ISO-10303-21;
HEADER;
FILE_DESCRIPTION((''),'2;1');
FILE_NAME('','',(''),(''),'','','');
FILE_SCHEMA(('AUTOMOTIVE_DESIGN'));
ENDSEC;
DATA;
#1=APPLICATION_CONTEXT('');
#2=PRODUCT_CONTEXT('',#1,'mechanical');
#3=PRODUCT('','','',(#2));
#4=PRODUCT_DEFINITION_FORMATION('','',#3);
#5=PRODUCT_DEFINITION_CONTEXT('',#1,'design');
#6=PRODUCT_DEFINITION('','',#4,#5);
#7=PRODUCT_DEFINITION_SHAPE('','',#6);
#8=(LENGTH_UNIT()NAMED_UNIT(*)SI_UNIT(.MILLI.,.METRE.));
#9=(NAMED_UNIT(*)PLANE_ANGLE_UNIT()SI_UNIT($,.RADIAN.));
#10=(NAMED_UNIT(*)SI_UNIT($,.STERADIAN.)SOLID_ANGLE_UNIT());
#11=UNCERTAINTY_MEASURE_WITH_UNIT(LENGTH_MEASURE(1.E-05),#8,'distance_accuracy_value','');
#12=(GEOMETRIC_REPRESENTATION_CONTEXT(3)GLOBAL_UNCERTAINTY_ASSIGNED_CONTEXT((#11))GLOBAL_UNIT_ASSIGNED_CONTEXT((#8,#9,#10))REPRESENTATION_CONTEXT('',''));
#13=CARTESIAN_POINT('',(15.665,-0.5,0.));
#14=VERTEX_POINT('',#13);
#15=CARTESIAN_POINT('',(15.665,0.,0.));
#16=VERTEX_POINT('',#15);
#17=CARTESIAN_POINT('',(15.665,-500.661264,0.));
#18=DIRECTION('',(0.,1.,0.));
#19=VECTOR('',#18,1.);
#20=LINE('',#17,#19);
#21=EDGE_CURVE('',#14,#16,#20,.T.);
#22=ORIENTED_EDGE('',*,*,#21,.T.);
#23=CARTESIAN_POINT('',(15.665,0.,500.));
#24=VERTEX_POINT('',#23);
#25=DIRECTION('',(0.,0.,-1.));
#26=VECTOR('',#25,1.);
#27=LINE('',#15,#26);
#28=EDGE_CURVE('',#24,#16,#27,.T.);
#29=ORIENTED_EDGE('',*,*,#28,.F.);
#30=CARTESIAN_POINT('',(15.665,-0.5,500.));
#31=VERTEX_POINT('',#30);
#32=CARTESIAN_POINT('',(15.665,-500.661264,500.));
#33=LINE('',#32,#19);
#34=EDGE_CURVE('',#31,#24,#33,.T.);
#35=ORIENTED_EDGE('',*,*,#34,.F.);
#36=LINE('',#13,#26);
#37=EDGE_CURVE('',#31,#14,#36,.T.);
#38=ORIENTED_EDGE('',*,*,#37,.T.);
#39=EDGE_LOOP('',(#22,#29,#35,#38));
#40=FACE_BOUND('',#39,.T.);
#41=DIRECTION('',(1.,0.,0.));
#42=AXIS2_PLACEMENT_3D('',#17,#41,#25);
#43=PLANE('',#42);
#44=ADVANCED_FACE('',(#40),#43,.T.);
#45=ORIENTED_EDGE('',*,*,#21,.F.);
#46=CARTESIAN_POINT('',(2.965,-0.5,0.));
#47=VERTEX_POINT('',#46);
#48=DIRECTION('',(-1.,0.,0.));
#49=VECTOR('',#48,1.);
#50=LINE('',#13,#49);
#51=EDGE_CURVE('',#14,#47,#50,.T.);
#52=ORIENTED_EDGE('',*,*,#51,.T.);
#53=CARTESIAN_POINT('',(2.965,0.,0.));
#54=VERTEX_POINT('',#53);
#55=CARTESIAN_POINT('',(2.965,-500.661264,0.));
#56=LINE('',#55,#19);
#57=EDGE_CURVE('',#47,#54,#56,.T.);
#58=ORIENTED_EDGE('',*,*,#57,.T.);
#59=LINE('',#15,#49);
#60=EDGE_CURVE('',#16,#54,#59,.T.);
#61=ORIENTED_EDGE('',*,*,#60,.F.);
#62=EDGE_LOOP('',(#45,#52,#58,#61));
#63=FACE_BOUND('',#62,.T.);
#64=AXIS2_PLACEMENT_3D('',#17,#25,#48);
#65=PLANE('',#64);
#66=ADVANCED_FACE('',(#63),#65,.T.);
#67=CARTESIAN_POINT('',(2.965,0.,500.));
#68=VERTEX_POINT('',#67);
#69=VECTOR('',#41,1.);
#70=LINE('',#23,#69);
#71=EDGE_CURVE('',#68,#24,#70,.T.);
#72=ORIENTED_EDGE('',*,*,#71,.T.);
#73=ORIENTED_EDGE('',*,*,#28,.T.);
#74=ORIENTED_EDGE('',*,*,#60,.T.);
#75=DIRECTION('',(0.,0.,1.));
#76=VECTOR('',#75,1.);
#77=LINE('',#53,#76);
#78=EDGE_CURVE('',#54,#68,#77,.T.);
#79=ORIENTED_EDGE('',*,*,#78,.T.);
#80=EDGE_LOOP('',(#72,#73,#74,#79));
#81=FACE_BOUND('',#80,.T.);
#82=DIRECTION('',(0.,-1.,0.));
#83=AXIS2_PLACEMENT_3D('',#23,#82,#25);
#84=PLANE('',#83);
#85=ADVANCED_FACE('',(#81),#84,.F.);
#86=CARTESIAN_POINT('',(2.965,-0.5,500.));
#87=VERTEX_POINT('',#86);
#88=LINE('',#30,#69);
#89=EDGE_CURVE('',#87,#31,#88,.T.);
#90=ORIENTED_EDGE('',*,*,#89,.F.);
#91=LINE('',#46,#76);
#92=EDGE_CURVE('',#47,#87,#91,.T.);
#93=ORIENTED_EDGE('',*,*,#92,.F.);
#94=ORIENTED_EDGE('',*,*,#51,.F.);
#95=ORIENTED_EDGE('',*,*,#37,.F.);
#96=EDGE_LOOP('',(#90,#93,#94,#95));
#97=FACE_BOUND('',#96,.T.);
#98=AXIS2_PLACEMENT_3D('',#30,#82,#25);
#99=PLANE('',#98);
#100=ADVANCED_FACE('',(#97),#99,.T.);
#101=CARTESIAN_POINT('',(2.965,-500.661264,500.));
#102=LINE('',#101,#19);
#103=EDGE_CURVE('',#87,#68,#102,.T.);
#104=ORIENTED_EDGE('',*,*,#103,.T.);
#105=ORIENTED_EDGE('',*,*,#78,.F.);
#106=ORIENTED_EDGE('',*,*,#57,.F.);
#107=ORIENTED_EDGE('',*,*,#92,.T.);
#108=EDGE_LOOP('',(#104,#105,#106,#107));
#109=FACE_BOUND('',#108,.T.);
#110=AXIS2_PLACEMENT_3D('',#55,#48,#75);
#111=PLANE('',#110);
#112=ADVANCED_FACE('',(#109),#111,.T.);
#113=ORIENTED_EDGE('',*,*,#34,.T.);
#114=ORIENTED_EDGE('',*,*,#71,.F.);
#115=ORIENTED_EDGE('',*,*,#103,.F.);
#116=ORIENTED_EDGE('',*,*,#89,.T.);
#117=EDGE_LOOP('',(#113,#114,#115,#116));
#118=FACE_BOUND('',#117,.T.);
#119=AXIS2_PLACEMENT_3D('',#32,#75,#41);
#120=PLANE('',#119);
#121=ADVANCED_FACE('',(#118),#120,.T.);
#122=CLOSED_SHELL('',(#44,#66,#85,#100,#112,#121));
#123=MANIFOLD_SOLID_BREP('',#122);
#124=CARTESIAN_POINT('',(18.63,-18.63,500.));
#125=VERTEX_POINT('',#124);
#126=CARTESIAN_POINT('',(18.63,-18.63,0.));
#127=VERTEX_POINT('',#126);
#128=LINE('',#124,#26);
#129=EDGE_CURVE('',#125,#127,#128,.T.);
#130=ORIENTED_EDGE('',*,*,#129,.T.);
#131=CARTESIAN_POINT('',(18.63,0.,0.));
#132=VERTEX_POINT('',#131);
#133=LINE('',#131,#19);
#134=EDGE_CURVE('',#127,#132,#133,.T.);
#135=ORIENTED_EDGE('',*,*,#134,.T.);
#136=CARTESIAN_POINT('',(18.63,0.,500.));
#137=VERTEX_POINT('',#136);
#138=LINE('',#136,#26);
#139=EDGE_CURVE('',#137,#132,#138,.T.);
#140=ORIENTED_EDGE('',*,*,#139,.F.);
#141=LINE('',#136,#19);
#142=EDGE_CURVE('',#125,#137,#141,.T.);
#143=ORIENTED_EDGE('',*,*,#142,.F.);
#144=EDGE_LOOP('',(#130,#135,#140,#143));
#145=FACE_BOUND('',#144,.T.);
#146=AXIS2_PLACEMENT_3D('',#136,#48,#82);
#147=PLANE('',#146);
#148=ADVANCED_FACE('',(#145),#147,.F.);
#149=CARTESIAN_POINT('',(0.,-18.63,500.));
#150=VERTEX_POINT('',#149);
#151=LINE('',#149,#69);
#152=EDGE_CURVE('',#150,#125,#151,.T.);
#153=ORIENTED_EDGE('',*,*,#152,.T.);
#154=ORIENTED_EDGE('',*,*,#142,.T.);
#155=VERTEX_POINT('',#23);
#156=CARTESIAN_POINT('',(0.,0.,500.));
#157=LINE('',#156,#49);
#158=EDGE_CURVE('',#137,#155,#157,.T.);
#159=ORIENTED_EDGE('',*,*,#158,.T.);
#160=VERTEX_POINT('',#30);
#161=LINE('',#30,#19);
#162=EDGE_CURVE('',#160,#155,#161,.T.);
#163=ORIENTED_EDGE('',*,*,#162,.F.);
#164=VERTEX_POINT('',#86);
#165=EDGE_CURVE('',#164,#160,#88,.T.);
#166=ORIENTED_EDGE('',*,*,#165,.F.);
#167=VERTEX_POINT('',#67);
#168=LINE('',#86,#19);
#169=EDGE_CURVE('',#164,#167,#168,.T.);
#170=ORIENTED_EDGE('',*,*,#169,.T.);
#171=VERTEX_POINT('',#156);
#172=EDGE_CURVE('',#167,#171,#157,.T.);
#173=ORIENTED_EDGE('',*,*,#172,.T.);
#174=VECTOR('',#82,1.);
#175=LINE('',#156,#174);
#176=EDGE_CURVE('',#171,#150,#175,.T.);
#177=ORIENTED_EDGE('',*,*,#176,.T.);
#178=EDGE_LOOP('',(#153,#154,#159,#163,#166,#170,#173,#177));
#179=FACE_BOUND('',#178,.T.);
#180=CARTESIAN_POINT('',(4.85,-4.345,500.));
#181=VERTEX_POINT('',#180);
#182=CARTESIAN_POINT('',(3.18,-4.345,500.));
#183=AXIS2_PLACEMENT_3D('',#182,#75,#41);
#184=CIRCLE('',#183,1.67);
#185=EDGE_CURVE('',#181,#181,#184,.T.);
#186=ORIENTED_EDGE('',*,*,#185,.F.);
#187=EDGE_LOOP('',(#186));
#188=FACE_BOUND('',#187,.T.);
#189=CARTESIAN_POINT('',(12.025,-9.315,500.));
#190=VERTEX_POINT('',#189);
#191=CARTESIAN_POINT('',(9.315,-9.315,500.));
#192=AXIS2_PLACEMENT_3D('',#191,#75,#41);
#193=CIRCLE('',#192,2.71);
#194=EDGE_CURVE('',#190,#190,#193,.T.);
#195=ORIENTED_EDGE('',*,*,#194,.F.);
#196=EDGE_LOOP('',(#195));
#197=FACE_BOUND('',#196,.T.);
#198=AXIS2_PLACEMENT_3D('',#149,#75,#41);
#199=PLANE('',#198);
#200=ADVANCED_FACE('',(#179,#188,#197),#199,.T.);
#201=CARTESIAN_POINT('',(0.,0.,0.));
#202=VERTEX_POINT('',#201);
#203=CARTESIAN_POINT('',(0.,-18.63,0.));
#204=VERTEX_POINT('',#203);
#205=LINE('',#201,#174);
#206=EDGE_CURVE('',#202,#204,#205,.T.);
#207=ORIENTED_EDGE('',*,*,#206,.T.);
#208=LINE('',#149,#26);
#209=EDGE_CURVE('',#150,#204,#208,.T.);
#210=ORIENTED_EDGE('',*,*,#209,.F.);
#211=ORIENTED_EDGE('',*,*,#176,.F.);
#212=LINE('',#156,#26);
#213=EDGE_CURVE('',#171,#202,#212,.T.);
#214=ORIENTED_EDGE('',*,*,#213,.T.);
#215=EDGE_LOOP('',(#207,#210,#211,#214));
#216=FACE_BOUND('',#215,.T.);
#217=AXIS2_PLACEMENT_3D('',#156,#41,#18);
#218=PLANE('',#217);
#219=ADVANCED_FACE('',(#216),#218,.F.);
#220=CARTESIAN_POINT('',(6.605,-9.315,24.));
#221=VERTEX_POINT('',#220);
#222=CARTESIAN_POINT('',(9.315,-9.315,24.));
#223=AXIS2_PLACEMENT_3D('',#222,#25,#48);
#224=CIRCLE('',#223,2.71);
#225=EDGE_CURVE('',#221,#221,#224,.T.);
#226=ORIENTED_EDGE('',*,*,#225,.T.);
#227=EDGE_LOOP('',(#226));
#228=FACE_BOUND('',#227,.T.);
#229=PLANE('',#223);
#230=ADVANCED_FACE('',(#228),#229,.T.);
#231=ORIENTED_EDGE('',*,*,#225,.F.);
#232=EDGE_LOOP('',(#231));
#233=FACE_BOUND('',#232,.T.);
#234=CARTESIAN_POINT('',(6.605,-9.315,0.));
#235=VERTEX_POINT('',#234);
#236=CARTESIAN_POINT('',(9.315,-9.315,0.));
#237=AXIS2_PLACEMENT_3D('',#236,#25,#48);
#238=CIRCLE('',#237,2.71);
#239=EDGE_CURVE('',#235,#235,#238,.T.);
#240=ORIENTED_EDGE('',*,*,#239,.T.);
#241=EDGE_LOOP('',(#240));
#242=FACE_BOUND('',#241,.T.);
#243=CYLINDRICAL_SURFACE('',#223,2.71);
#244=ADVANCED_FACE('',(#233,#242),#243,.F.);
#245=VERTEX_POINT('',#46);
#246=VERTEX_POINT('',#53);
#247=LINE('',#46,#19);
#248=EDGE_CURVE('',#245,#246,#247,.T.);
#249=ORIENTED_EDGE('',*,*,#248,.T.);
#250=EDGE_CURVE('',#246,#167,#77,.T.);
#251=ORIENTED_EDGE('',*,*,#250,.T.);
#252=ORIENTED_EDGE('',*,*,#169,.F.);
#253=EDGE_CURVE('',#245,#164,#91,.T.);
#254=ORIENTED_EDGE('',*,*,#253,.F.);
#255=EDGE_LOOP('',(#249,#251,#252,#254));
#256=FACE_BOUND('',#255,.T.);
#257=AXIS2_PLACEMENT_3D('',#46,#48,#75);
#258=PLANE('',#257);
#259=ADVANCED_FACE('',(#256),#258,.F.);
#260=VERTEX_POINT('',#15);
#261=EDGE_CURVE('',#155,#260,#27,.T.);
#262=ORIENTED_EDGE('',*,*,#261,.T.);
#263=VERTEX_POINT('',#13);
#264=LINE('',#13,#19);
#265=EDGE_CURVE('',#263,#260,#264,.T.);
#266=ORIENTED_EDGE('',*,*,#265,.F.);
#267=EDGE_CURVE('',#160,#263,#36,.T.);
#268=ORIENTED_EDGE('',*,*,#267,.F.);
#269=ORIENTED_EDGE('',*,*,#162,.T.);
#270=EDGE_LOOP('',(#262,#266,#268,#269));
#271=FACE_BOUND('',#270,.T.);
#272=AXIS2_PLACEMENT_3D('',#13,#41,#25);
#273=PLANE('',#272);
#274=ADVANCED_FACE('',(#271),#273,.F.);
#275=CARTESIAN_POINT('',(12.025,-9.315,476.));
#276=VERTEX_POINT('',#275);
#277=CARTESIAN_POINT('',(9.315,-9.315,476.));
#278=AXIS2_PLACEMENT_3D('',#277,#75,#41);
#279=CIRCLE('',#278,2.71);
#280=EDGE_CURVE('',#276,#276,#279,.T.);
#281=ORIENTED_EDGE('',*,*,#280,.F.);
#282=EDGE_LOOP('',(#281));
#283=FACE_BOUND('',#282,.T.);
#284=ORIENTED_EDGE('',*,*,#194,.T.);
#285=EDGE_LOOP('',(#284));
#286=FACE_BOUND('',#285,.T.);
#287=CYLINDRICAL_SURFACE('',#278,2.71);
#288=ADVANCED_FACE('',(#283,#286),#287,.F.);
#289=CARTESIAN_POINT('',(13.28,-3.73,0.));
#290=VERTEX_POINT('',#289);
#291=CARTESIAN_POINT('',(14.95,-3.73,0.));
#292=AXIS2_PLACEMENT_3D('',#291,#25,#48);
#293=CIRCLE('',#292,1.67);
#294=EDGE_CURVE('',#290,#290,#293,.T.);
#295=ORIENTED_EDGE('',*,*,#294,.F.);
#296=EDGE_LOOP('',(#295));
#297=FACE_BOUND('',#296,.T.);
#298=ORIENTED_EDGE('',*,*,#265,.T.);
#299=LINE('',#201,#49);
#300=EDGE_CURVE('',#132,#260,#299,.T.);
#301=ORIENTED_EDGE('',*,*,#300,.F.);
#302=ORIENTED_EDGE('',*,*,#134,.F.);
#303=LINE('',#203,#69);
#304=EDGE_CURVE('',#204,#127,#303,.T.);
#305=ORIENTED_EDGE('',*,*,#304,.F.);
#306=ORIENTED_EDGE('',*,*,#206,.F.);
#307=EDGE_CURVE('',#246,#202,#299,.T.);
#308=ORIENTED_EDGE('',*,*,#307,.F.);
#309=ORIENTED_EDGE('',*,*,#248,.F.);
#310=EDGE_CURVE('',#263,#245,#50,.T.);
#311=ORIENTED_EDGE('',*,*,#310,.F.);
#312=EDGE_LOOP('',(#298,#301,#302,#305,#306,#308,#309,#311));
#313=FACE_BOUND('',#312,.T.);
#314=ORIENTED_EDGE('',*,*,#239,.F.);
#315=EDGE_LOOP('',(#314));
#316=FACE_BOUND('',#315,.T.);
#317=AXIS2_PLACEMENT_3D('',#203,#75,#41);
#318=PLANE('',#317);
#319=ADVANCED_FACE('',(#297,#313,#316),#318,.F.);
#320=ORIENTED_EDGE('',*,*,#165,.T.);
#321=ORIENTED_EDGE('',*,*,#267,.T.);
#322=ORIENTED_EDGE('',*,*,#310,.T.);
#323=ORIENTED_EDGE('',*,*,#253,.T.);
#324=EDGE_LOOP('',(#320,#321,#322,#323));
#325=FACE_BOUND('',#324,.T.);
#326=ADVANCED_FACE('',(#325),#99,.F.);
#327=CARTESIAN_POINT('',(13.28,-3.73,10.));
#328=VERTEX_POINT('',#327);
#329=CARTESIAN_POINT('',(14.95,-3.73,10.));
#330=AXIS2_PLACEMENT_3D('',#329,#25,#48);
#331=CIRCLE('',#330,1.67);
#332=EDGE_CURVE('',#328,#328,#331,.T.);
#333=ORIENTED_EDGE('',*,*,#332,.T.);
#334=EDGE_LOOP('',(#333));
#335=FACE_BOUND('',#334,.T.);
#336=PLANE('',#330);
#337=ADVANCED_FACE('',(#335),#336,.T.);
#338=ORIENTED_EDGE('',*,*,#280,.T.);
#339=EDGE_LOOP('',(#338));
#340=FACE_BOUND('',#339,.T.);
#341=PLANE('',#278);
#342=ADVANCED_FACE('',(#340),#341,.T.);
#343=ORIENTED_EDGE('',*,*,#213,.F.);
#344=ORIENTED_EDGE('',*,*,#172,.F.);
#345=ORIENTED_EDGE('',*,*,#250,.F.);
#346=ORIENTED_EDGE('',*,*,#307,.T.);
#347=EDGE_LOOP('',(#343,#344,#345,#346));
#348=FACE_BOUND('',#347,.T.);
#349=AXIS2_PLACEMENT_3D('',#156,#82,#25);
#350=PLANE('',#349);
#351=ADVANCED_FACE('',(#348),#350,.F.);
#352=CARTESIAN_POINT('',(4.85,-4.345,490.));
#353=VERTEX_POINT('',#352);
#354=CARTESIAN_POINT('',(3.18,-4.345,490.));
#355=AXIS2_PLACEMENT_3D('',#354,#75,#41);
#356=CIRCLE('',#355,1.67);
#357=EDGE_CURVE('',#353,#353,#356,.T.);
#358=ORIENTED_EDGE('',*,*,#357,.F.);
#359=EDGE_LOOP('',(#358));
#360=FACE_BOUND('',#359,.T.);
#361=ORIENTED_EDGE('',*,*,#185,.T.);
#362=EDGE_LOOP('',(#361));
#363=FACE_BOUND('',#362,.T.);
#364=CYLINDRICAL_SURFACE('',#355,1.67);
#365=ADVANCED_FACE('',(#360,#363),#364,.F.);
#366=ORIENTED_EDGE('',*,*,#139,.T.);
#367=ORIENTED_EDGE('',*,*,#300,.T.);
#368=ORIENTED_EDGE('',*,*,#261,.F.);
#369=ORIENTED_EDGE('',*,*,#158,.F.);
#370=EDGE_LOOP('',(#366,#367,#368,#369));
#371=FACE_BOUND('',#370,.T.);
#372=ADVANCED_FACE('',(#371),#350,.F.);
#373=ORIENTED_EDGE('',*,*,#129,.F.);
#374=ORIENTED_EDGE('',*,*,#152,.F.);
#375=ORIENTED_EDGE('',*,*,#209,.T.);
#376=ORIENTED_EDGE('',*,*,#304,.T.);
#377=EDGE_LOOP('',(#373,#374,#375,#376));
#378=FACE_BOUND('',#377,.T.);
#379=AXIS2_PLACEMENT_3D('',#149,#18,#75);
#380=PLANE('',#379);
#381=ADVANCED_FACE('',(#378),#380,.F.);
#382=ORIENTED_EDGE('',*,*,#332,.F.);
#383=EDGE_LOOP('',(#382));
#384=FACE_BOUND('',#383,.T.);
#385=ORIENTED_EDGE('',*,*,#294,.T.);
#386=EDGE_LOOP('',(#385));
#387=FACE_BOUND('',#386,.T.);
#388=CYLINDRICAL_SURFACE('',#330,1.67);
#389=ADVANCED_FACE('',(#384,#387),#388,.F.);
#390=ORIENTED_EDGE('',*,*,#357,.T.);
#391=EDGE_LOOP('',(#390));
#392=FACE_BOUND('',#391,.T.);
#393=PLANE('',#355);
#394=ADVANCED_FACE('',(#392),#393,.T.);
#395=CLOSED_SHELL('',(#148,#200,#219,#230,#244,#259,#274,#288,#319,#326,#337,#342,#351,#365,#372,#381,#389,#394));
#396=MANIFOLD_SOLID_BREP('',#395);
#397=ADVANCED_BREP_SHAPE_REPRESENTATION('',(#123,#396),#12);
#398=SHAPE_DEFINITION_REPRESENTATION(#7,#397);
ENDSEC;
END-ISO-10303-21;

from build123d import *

# Parameters (mm, degrees)
SKETCH1_W           = 18.63
SKETCH1_H           = 18.63
BOSS_EXTRUDE1_DEPTH = 500
SKETCH2_R           = 2.71
CUT_EXTRUDE1_DEPTH  = 24
SKETCH3_R           = 2.71
CUT_EXTRUDE2_DEPTH  = 24
SKETCH4_R           = 1.67
CUT_EXTRUDE3_DEPTH  = 10
SKETCH5_R           = 1.67
CUT_EXTRUDE4_DEPTH  = 10
SKETCH6_W           = 12.7
SKETCH6_H           = 500
CUT_EXTRUDE5_DEPTH  = 0.5
SKETCH7_W           = 12.7
SKETCH7_H           = 500
BOSS_EXTRUDE2_DEPTH = 0.5


with BuildPart() as part:
    # Sketch1 → Boss-Extrude1 (new body)
    with BuildSketch(Plane.XY):
        with Locations((9.315, -9.315)):
            Rectangle(SKETCH1_W, SKETCH1_H)
    extrude(amount=BOSS_EXTRUDE1_DEPTH)

    # Sketch2 → Cut-Extrude1 (cut)
    with BuildSketch(Plane(origin=(0, 0, 0), x_dir=(-1, 0, 0), z_dir=(0, 0, -1))):
        with Locations((-9.315, -9.315)):
            Circle(SKETCH2_R)
    extrude(amount=-CUT_EXTRUDE1_DEPTH, mode=Mode.SUBTRACT)

    # Sketch3 → Cut-Extrude2 (cut)
    with BuildSketch(Plane.XY.offset(500)):
        with Locations((9.315, -9.315)):
            Circle(SKETCH3_R)
    extrude(amount=-CUT_EXTRUDE2_DEPTH, mode=Mode.SUBTRACT)

    # Sketch4 → Cut-Extrude3 (cut)
    with BuildSketch(Plane(origin=(0, 0, 0), x_dir=(-1, 0, 0), z_dir=(0, 0, -1))):
        with Locations((-14.95, -3.73)):
            Circle(SKETCH4_R)
    extrude(amount=-CUT_EXTRUDE3_DEPTH, mode=Mode.SUBTRACT)

    # Sketch5 → Cut-Extrude4 (cut)
    with BuildSketch(Plane.XY.offset(500)):
        with Locations((3.18, -4.345)):
            Circle(SKETCH5_R)
    extrude(amount=-CUT_EXTRUDE4_DEPTH, mode=Mode.SUBTRACT)

    # Sketch6 → Cut-Extrude5 (cut)
    with BuildSketch(Plane(origin=(0, 0, 0), x_dir=(-1, 0, 0), z_dir=(0, 1, 0))):
        with Locations((-9.315, 250)):
            Rectangle(SKETCH6_W, SKETCH6_H)
    extrude(amount=-CUT_EXTRUDE5_DEPTH, mode=Mode.SUBTRACT)


with BuildPart() as body_2:
    # Sketch7 → Boss-Extrude2 (new body)
    with BuildSketch(Plane(origin=(0, 0, 0), x_dir=(-1, 0, 0), z_dir=(0, 1, 0))):
        with Locations((-9.315, 250)):
            Rectangle(SKETCH7_W, SKETCH7_H)
    extrude(amount=-BOSS_EXTRUDE2_DEPTH)


solid = Compound([part.part, body_2.part])
